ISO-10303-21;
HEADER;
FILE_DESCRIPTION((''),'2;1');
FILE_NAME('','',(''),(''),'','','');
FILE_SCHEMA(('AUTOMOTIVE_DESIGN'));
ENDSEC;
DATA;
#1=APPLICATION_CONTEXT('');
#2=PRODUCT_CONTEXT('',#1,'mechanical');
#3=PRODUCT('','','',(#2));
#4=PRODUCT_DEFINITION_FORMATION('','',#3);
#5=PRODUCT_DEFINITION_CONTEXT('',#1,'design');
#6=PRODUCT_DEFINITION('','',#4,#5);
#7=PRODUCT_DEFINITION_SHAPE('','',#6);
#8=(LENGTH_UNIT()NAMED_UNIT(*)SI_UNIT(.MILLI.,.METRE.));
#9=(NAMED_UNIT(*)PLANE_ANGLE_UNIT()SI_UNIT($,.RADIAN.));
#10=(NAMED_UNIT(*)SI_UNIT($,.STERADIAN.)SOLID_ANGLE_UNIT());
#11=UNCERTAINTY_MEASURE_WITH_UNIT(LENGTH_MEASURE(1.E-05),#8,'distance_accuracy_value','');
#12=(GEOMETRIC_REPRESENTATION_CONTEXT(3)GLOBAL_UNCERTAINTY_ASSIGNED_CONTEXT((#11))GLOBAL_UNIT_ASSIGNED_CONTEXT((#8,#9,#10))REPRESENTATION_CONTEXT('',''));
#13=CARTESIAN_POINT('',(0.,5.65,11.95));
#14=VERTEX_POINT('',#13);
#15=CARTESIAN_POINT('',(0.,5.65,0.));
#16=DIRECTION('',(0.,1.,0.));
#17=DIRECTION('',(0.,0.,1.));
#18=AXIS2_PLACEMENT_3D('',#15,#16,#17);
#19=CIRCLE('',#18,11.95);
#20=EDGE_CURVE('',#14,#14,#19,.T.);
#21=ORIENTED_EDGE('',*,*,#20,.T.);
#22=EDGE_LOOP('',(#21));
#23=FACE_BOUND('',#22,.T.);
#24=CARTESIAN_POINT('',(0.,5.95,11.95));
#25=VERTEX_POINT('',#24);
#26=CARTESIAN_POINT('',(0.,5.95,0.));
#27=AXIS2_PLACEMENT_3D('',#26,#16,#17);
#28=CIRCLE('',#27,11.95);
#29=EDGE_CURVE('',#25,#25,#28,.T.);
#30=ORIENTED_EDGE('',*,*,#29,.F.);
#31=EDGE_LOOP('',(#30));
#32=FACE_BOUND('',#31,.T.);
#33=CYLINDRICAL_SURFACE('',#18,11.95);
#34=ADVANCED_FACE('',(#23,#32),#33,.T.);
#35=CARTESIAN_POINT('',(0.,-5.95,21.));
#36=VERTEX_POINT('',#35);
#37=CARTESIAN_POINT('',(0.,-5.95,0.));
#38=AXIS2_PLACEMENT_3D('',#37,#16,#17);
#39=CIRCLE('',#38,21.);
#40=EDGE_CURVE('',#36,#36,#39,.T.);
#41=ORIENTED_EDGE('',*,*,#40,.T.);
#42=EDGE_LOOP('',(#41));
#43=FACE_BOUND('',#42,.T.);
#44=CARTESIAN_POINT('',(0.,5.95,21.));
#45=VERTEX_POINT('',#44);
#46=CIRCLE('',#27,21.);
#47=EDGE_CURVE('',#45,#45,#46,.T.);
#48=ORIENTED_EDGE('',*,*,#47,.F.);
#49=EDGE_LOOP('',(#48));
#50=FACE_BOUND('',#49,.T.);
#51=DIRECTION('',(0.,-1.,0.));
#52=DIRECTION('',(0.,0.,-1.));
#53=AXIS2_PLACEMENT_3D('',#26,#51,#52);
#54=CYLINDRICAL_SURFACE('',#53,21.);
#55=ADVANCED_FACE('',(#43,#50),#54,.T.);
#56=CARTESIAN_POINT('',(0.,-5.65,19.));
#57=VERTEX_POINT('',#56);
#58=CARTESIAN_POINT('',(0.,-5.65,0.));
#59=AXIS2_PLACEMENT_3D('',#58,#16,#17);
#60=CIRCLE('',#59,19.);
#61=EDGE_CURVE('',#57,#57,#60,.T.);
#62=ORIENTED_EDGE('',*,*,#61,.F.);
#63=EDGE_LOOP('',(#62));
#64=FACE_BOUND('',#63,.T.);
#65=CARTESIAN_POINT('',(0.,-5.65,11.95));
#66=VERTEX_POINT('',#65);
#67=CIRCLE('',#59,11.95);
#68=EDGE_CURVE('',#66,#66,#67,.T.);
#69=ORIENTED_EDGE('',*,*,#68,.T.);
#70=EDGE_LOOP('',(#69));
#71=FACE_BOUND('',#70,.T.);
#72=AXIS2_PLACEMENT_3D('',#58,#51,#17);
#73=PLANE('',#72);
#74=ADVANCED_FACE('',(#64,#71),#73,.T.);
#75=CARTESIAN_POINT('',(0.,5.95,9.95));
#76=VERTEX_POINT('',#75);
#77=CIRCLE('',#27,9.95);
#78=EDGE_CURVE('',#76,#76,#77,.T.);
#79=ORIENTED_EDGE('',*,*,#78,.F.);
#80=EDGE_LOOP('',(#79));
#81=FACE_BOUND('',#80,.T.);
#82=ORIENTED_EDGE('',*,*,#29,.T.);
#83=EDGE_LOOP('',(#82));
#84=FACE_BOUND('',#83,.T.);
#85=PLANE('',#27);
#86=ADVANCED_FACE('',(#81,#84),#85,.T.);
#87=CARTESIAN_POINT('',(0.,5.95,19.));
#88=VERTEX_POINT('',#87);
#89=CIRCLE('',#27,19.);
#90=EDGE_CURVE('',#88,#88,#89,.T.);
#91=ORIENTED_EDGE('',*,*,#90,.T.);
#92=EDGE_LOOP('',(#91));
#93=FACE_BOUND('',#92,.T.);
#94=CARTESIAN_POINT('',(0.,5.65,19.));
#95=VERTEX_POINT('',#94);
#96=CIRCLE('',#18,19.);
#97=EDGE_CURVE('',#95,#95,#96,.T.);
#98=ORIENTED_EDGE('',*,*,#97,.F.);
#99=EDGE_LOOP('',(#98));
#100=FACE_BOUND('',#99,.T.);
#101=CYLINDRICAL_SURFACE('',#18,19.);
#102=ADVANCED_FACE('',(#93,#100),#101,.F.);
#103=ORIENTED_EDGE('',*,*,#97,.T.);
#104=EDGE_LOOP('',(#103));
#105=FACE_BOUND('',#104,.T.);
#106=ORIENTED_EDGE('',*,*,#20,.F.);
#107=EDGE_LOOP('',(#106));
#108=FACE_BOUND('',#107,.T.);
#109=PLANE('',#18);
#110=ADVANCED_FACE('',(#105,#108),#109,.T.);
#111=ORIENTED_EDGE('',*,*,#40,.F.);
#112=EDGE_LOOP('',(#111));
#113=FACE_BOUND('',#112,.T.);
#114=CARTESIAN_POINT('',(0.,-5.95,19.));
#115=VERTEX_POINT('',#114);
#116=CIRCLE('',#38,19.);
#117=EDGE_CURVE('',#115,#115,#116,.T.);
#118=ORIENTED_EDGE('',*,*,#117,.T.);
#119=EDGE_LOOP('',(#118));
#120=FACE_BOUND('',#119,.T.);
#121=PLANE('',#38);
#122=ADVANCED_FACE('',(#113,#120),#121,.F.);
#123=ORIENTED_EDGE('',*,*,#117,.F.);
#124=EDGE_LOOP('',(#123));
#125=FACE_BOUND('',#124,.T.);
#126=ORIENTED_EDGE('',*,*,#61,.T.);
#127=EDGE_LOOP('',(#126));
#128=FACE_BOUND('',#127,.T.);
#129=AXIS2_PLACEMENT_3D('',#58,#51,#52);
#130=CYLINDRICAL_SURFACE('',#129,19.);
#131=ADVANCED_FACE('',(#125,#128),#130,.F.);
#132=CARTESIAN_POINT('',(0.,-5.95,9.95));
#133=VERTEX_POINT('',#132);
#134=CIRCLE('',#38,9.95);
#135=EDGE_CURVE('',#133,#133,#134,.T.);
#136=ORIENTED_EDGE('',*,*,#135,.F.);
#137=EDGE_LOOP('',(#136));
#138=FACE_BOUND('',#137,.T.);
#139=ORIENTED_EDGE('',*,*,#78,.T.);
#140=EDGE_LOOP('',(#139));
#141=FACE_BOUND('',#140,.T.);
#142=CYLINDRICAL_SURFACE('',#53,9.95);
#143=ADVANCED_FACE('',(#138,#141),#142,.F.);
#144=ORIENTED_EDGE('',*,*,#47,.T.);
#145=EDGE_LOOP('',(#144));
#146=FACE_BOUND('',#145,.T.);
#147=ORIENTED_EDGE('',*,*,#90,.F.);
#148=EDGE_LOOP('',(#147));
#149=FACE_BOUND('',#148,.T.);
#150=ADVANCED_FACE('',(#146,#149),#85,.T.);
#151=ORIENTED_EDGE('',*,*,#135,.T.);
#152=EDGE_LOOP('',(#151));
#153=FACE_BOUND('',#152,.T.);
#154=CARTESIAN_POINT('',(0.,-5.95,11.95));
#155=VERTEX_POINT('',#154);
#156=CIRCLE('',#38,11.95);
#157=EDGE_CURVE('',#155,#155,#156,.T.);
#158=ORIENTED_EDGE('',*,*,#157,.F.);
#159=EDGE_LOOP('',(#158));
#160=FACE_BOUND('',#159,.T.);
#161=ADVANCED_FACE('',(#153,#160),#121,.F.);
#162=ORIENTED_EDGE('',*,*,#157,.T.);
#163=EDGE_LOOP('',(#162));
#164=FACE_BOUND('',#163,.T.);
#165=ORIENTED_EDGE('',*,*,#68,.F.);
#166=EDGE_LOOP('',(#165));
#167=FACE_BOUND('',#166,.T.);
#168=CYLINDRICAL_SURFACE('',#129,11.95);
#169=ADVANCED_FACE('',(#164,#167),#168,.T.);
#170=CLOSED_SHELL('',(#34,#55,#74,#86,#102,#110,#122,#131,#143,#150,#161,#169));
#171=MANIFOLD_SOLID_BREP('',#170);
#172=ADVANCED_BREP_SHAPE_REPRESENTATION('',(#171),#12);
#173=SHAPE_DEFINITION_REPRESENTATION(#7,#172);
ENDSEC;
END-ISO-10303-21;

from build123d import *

# Parameters (mm, degrees)
SKETCH_1_R          = 21
SKETCH_1_R_2        = 9.95
EXTRUDE_1_DEPTH     = 5.95
SKETCH_2_R          = 19
SKETCH_2_R_2        = 11.95
CUT_EXTRUDE_1_DEPTH = 0.3


with BuildPart() as part:
    # Эскиз1 → Бобышка-Вытянуть1 (new, symmetric)
    with BuildSketch(Plane(origin=(0, 0, 0), x_dir=(1, 0, 0), z_dir=(0, 1, 0))):
        with Locations(Location((0, 0, 0), (0, 0, 270))):
            Circle(SKETCH_1_R)
        with Locations(Location((0, 0, 0), (0, 0, 270))):
            Circle(SKETCH_1_R_2, mode=Mode.SUBTRACT)
    extrude(amount=EXTRUDE_1_DEPTH, both=True)

    # Эскиз2 → Вырез-Вытянуть1 (cut)
    with BuildSketch(Plane(origin=(0, 5.95, 0), x_dir=(1, 0, 0), z_dir=(0, 1, 0))):
        with Locations(Location((0, 0, 0), (0, 0, 270))):
            Circle(SKETCH_2_R)
        with Locations(Location((0, 0, 0), (0, 0, 270))):
            Circle(SKETCH_2_R_2, mode=Mode.SUBTRACT)
    cut_extrude_1 = extrude(amount=-CUT_EXTRUDE_1_DEPTH, mode=Mode.SUBTRACT)

    # Зеркальное отражение1: Вырез-Вытянуть1 across plane
    add(cut_extrude_1.mirror(Plane.ZX), mode=Mode.SUBTRACT)


solid = part.part
